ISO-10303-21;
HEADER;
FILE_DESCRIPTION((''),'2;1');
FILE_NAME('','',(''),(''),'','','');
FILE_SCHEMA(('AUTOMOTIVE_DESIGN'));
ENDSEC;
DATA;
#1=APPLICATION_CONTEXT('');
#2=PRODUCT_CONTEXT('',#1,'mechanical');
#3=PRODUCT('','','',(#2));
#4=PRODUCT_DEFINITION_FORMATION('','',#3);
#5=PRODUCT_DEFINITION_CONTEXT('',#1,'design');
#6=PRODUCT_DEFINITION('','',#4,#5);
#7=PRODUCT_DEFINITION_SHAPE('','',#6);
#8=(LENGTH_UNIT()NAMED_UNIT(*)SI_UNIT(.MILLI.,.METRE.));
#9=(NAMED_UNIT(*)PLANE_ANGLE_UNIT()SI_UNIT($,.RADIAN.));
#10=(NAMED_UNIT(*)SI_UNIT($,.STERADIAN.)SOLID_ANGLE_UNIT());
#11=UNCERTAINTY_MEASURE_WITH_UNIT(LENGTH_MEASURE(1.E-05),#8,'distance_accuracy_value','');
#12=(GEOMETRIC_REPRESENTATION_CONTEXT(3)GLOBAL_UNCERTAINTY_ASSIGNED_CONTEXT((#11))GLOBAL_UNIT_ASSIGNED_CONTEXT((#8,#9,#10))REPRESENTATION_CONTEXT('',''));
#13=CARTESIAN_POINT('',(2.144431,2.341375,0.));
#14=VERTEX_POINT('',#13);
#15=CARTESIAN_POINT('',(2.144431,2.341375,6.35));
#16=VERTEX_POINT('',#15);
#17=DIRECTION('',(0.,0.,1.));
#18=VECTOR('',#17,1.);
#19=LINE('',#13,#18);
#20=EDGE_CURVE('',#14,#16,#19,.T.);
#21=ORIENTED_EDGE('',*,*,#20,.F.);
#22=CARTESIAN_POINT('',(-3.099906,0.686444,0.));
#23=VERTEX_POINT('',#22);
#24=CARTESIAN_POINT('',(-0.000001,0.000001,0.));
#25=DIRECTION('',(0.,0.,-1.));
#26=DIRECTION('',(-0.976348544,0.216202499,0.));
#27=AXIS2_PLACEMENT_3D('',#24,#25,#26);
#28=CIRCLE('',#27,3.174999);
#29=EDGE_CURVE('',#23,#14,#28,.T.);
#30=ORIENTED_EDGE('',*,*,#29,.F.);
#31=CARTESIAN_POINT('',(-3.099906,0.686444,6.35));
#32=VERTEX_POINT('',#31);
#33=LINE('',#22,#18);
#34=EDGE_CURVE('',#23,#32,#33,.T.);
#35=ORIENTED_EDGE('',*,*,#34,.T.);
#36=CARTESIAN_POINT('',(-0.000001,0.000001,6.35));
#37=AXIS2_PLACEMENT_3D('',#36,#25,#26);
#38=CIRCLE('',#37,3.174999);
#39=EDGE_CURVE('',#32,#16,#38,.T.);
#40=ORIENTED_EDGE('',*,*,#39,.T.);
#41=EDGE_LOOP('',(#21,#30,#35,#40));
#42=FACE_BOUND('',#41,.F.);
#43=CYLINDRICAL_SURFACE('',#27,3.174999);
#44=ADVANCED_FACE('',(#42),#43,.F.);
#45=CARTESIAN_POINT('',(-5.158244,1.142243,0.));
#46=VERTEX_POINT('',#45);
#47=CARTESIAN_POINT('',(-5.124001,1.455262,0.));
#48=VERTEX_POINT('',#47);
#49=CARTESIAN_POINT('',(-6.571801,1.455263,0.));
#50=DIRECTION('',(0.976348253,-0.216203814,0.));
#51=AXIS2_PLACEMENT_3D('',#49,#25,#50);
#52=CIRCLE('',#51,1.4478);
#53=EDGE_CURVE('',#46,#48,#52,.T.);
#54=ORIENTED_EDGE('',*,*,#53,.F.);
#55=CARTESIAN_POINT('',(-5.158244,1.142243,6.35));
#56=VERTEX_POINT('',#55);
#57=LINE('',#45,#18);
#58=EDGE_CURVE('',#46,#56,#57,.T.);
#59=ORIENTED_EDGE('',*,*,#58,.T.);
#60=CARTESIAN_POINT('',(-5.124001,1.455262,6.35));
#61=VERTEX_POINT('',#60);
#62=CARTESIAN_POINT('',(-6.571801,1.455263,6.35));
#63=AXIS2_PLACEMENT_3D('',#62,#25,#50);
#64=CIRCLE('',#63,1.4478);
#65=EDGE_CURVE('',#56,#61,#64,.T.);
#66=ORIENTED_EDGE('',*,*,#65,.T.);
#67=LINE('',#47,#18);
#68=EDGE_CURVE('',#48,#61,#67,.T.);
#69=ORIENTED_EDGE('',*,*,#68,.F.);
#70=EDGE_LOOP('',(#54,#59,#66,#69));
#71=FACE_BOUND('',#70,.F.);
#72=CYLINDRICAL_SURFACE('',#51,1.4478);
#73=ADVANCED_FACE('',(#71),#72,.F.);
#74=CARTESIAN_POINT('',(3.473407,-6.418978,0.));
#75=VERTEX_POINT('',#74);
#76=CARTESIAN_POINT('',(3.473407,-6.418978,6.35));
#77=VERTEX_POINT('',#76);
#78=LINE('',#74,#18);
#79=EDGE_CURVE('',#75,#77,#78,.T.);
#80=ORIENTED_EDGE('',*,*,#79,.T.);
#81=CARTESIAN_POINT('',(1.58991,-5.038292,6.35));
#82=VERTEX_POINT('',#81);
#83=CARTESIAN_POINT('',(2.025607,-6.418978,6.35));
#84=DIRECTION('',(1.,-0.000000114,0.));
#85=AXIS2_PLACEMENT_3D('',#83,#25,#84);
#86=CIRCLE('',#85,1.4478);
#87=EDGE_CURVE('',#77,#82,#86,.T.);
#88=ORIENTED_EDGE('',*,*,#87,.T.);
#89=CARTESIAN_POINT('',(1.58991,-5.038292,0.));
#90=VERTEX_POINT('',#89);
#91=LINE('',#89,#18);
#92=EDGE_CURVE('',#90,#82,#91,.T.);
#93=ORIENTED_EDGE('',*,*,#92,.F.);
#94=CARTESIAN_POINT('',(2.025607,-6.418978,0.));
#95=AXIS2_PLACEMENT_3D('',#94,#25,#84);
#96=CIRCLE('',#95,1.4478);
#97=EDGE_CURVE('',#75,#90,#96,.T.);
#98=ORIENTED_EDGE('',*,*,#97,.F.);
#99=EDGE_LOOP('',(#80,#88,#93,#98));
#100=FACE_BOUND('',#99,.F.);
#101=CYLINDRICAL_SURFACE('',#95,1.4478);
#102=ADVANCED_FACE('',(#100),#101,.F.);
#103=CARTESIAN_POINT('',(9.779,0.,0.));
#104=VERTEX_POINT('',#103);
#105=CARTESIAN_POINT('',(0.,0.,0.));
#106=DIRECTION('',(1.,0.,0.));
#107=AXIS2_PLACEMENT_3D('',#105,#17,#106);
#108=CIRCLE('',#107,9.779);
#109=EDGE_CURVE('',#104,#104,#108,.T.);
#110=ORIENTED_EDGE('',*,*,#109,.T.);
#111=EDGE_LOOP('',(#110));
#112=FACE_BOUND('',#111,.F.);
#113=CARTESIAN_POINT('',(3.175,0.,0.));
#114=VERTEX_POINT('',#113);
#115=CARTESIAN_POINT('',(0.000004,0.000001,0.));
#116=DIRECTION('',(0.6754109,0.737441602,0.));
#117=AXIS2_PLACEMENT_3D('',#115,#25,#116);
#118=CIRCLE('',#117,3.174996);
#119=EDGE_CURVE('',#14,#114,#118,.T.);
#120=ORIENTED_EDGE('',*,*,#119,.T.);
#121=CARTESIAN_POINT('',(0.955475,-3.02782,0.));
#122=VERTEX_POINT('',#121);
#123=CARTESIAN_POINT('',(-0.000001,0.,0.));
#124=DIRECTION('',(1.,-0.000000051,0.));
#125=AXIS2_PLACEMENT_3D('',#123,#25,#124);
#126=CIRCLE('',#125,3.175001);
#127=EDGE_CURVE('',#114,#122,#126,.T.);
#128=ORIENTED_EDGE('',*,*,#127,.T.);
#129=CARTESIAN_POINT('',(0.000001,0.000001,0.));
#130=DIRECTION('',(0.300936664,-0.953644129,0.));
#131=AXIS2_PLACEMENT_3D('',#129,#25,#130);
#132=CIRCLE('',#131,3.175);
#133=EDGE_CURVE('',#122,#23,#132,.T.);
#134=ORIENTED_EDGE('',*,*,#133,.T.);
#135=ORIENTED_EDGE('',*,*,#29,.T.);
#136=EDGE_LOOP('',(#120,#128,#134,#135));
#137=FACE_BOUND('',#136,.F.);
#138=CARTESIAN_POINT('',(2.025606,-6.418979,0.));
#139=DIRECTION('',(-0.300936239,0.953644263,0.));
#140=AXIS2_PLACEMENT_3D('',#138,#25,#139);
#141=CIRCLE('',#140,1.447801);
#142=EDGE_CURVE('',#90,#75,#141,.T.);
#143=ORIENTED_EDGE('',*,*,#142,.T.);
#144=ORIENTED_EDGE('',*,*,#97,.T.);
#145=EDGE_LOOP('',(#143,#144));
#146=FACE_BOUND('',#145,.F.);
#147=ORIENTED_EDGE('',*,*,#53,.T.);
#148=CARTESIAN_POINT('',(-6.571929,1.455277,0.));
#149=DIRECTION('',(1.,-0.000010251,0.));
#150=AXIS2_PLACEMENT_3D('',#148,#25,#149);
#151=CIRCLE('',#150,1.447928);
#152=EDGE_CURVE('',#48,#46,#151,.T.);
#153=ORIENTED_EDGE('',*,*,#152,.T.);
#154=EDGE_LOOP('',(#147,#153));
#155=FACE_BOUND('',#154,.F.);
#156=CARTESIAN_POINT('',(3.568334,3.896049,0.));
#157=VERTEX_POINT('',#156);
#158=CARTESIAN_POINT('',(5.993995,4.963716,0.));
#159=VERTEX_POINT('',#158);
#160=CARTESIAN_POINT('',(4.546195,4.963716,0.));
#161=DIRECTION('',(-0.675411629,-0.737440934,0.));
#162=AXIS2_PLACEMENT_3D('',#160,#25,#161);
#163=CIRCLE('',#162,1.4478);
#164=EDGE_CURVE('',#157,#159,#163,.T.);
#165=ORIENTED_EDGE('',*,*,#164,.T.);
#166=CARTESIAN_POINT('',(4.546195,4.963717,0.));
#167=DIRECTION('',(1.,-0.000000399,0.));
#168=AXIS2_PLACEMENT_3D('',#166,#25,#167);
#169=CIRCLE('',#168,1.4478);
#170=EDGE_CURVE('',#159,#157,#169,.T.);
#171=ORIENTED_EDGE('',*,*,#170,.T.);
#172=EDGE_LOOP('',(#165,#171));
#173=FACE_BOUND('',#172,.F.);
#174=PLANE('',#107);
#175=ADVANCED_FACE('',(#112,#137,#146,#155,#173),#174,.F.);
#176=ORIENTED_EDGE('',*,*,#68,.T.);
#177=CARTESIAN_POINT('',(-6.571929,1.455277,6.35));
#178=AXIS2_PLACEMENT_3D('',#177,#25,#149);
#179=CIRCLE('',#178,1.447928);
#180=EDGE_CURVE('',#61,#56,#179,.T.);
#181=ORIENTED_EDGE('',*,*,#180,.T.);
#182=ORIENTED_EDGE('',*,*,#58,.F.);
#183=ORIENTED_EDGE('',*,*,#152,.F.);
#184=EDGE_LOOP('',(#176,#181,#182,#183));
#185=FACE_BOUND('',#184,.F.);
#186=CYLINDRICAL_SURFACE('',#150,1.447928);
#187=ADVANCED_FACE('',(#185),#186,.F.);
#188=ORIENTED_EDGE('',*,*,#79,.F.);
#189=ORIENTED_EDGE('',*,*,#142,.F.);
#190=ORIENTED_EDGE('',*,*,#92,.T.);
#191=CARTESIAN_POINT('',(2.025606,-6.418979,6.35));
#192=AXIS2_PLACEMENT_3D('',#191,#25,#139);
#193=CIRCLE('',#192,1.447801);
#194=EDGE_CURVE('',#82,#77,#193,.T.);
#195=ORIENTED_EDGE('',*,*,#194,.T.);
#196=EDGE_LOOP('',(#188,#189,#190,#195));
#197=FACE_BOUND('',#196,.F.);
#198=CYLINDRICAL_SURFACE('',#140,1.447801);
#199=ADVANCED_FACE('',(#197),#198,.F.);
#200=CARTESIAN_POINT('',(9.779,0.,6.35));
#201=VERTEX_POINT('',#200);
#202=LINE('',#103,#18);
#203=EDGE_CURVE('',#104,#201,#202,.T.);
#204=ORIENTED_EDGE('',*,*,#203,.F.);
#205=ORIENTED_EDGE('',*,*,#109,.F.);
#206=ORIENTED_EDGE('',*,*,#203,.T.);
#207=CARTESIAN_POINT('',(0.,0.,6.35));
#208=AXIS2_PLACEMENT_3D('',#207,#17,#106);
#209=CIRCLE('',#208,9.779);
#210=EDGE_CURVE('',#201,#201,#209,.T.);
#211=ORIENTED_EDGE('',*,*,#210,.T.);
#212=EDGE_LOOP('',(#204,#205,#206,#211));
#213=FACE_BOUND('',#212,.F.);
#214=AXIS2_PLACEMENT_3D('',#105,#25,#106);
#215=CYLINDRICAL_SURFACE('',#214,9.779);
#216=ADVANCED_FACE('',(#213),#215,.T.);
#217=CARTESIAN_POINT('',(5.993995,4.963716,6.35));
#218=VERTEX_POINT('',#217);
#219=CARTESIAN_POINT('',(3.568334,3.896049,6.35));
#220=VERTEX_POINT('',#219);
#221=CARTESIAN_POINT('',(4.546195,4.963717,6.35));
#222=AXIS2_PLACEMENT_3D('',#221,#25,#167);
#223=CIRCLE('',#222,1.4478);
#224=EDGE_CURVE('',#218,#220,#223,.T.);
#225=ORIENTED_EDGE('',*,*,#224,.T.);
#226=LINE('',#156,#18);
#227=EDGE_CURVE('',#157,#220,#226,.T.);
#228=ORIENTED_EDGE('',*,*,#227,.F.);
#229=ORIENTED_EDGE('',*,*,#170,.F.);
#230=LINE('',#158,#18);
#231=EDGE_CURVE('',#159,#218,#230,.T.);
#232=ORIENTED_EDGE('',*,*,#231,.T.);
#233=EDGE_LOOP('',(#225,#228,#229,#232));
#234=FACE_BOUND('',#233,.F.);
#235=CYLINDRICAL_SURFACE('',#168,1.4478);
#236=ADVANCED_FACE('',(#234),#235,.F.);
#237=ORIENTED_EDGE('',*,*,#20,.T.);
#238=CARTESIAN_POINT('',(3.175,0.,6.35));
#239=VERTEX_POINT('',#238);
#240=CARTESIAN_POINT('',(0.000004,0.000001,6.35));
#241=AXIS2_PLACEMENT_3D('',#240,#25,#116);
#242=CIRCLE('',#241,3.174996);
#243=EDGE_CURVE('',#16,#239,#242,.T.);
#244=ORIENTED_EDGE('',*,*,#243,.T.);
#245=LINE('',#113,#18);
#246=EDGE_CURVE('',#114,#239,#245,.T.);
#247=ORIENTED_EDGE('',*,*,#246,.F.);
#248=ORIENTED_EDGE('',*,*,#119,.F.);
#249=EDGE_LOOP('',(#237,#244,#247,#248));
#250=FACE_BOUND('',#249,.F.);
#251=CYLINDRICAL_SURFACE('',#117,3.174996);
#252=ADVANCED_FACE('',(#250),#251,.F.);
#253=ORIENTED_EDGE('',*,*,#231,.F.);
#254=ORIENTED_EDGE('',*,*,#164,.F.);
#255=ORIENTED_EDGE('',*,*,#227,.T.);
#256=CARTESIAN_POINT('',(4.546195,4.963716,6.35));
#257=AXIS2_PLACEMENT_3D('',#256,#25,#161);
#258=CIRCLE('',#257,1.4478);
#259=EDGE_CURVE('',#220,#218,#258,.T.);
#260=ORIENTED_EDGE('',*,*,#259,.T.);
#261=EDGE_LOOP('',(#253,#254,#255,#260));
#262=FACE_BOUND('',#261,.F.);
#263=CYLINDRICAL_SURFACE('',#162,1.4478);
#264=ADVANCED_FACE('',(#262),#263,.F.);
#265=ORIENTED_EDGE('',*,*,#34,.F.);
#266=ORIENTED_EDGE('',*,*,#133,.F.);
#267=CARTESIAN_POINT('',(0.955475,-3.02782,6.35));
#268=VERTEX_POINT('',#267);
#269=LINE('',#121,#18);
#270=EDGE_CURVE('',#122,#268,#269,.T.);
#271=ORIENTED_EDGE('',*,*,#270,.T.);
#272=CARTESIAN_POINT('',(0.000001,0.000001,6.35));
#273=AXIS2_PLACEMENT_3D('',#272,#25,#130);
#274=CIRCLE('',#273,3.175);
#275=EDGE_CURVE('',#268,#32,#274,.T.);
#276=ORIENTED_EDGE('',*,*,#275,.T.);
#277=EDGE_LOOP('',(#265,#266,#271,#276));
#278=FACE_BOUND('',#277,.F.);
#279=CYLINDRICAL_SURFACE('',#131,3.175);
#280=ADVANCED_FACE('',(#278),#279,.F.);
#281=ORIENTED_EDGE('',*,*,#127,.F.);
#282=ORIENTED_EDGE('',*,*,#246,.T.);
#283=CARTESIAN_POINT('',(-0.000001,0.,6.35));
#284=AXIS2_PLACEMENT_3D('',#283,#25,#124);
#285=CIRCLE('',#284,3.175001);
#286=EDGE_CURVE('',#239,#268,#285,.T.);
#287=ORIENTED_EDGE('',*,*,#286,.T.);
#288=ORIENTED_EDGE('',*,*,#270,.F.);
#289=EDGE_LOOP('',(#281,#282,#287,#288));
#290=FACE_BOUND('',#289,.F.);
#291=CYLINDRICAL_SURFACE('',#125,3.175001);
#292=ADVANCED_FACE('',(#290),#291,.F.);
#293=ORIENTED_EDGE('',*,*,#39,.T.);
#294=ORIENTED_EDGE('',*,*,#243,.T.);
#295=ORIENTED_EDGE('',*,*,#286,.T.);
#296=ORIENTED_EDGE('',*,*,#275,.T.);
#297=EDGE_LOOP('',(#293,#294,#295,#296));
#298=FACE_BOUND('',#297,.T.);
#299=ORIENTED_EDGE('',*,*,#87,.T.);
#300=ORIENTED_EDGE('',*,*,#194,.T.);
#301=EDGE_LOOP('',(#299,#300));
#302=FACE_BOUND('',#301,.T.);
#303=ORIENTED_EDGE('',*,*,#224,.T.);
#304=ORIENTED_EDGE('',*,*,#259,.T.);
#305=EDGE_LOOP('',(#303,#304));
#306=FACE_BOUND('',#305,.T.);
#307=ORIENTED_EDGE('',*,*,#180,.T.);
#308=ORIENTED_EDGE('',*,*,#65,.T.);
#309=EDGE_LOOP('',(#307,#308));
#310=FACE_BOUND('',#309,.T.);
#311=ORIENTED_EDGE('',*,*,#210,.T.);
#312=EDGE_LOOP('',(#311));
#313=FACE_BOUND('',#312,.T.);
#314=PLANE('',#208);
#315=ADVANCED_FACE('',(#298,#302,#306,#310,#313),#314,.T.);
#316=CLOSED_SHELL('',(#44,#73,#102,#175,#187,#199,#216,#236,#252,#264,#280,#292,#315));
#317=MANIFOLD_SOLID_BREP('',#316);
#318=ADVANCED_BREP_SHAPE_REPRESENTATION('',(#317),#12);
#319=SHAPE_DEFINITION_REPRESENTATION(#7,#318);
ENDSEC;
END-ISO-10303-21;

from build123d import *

# Parameters (mm, degrees)
F0_R     = 9.779
F1_DEPTH = 6.35


with BuildPart() as f1:
    # F0 (on Top) → F1 (new body)
    with BuildSketch(Plane.XY):
        Circle(F0_R)
        with BuildLine():
            ThreePointArc((3.473407, -6.418978), (1.16965, -7.586652), (1.58991, -5.038292))
            ThreePointArc((1.58991, -5.038292), (2.881563, -5.251304), (3.473407, -6.418978))
        make_face(mode=Mode.SUBTRACT)
        with BuildLine():
            ThreePointArc((-5.124001, 1.455262), (-5.132588, 1.297819), (-5.158244, 1.142243))
            ThreePointArc((-5.158244, 1.142243), (-8.011015, 1.612705), (-5.124001, 1.455262))
        make_face(mode=Mode.SUBTRACT)
        with BuildLine():
            ThreePointArc((2.144431, 2.341375), (2.905959, 1.279073), (3.175, 0))
            ThreePointArc((3.175, 0), (2.560689, -1.877098), (0.955475, -3.02782))
            ThreePointArc((0.955475, -3.02782), (-2.144431, -2.341375), (-3.099906, 0.686444))
            ThreePointArc((-3.099906, 0.686444), (-0.955475, 3.02782), (2.144431, 2.341375))
        make_face(mode=Mode.SUBTRACT)
        with BuildLine():
            ThreePointArc((5.993995, 4.963716), (5.129452, 3.638599), (3.568334, 3.896049))
            ThreePointArc((3.568334, 3.896049), (3.962937, 6.288833), (5.993995, 4.963716))
        make_face(mode=Mode.SUBTRACT)
    extrude(amount=F1_DEPTH)


solid = f1.part
